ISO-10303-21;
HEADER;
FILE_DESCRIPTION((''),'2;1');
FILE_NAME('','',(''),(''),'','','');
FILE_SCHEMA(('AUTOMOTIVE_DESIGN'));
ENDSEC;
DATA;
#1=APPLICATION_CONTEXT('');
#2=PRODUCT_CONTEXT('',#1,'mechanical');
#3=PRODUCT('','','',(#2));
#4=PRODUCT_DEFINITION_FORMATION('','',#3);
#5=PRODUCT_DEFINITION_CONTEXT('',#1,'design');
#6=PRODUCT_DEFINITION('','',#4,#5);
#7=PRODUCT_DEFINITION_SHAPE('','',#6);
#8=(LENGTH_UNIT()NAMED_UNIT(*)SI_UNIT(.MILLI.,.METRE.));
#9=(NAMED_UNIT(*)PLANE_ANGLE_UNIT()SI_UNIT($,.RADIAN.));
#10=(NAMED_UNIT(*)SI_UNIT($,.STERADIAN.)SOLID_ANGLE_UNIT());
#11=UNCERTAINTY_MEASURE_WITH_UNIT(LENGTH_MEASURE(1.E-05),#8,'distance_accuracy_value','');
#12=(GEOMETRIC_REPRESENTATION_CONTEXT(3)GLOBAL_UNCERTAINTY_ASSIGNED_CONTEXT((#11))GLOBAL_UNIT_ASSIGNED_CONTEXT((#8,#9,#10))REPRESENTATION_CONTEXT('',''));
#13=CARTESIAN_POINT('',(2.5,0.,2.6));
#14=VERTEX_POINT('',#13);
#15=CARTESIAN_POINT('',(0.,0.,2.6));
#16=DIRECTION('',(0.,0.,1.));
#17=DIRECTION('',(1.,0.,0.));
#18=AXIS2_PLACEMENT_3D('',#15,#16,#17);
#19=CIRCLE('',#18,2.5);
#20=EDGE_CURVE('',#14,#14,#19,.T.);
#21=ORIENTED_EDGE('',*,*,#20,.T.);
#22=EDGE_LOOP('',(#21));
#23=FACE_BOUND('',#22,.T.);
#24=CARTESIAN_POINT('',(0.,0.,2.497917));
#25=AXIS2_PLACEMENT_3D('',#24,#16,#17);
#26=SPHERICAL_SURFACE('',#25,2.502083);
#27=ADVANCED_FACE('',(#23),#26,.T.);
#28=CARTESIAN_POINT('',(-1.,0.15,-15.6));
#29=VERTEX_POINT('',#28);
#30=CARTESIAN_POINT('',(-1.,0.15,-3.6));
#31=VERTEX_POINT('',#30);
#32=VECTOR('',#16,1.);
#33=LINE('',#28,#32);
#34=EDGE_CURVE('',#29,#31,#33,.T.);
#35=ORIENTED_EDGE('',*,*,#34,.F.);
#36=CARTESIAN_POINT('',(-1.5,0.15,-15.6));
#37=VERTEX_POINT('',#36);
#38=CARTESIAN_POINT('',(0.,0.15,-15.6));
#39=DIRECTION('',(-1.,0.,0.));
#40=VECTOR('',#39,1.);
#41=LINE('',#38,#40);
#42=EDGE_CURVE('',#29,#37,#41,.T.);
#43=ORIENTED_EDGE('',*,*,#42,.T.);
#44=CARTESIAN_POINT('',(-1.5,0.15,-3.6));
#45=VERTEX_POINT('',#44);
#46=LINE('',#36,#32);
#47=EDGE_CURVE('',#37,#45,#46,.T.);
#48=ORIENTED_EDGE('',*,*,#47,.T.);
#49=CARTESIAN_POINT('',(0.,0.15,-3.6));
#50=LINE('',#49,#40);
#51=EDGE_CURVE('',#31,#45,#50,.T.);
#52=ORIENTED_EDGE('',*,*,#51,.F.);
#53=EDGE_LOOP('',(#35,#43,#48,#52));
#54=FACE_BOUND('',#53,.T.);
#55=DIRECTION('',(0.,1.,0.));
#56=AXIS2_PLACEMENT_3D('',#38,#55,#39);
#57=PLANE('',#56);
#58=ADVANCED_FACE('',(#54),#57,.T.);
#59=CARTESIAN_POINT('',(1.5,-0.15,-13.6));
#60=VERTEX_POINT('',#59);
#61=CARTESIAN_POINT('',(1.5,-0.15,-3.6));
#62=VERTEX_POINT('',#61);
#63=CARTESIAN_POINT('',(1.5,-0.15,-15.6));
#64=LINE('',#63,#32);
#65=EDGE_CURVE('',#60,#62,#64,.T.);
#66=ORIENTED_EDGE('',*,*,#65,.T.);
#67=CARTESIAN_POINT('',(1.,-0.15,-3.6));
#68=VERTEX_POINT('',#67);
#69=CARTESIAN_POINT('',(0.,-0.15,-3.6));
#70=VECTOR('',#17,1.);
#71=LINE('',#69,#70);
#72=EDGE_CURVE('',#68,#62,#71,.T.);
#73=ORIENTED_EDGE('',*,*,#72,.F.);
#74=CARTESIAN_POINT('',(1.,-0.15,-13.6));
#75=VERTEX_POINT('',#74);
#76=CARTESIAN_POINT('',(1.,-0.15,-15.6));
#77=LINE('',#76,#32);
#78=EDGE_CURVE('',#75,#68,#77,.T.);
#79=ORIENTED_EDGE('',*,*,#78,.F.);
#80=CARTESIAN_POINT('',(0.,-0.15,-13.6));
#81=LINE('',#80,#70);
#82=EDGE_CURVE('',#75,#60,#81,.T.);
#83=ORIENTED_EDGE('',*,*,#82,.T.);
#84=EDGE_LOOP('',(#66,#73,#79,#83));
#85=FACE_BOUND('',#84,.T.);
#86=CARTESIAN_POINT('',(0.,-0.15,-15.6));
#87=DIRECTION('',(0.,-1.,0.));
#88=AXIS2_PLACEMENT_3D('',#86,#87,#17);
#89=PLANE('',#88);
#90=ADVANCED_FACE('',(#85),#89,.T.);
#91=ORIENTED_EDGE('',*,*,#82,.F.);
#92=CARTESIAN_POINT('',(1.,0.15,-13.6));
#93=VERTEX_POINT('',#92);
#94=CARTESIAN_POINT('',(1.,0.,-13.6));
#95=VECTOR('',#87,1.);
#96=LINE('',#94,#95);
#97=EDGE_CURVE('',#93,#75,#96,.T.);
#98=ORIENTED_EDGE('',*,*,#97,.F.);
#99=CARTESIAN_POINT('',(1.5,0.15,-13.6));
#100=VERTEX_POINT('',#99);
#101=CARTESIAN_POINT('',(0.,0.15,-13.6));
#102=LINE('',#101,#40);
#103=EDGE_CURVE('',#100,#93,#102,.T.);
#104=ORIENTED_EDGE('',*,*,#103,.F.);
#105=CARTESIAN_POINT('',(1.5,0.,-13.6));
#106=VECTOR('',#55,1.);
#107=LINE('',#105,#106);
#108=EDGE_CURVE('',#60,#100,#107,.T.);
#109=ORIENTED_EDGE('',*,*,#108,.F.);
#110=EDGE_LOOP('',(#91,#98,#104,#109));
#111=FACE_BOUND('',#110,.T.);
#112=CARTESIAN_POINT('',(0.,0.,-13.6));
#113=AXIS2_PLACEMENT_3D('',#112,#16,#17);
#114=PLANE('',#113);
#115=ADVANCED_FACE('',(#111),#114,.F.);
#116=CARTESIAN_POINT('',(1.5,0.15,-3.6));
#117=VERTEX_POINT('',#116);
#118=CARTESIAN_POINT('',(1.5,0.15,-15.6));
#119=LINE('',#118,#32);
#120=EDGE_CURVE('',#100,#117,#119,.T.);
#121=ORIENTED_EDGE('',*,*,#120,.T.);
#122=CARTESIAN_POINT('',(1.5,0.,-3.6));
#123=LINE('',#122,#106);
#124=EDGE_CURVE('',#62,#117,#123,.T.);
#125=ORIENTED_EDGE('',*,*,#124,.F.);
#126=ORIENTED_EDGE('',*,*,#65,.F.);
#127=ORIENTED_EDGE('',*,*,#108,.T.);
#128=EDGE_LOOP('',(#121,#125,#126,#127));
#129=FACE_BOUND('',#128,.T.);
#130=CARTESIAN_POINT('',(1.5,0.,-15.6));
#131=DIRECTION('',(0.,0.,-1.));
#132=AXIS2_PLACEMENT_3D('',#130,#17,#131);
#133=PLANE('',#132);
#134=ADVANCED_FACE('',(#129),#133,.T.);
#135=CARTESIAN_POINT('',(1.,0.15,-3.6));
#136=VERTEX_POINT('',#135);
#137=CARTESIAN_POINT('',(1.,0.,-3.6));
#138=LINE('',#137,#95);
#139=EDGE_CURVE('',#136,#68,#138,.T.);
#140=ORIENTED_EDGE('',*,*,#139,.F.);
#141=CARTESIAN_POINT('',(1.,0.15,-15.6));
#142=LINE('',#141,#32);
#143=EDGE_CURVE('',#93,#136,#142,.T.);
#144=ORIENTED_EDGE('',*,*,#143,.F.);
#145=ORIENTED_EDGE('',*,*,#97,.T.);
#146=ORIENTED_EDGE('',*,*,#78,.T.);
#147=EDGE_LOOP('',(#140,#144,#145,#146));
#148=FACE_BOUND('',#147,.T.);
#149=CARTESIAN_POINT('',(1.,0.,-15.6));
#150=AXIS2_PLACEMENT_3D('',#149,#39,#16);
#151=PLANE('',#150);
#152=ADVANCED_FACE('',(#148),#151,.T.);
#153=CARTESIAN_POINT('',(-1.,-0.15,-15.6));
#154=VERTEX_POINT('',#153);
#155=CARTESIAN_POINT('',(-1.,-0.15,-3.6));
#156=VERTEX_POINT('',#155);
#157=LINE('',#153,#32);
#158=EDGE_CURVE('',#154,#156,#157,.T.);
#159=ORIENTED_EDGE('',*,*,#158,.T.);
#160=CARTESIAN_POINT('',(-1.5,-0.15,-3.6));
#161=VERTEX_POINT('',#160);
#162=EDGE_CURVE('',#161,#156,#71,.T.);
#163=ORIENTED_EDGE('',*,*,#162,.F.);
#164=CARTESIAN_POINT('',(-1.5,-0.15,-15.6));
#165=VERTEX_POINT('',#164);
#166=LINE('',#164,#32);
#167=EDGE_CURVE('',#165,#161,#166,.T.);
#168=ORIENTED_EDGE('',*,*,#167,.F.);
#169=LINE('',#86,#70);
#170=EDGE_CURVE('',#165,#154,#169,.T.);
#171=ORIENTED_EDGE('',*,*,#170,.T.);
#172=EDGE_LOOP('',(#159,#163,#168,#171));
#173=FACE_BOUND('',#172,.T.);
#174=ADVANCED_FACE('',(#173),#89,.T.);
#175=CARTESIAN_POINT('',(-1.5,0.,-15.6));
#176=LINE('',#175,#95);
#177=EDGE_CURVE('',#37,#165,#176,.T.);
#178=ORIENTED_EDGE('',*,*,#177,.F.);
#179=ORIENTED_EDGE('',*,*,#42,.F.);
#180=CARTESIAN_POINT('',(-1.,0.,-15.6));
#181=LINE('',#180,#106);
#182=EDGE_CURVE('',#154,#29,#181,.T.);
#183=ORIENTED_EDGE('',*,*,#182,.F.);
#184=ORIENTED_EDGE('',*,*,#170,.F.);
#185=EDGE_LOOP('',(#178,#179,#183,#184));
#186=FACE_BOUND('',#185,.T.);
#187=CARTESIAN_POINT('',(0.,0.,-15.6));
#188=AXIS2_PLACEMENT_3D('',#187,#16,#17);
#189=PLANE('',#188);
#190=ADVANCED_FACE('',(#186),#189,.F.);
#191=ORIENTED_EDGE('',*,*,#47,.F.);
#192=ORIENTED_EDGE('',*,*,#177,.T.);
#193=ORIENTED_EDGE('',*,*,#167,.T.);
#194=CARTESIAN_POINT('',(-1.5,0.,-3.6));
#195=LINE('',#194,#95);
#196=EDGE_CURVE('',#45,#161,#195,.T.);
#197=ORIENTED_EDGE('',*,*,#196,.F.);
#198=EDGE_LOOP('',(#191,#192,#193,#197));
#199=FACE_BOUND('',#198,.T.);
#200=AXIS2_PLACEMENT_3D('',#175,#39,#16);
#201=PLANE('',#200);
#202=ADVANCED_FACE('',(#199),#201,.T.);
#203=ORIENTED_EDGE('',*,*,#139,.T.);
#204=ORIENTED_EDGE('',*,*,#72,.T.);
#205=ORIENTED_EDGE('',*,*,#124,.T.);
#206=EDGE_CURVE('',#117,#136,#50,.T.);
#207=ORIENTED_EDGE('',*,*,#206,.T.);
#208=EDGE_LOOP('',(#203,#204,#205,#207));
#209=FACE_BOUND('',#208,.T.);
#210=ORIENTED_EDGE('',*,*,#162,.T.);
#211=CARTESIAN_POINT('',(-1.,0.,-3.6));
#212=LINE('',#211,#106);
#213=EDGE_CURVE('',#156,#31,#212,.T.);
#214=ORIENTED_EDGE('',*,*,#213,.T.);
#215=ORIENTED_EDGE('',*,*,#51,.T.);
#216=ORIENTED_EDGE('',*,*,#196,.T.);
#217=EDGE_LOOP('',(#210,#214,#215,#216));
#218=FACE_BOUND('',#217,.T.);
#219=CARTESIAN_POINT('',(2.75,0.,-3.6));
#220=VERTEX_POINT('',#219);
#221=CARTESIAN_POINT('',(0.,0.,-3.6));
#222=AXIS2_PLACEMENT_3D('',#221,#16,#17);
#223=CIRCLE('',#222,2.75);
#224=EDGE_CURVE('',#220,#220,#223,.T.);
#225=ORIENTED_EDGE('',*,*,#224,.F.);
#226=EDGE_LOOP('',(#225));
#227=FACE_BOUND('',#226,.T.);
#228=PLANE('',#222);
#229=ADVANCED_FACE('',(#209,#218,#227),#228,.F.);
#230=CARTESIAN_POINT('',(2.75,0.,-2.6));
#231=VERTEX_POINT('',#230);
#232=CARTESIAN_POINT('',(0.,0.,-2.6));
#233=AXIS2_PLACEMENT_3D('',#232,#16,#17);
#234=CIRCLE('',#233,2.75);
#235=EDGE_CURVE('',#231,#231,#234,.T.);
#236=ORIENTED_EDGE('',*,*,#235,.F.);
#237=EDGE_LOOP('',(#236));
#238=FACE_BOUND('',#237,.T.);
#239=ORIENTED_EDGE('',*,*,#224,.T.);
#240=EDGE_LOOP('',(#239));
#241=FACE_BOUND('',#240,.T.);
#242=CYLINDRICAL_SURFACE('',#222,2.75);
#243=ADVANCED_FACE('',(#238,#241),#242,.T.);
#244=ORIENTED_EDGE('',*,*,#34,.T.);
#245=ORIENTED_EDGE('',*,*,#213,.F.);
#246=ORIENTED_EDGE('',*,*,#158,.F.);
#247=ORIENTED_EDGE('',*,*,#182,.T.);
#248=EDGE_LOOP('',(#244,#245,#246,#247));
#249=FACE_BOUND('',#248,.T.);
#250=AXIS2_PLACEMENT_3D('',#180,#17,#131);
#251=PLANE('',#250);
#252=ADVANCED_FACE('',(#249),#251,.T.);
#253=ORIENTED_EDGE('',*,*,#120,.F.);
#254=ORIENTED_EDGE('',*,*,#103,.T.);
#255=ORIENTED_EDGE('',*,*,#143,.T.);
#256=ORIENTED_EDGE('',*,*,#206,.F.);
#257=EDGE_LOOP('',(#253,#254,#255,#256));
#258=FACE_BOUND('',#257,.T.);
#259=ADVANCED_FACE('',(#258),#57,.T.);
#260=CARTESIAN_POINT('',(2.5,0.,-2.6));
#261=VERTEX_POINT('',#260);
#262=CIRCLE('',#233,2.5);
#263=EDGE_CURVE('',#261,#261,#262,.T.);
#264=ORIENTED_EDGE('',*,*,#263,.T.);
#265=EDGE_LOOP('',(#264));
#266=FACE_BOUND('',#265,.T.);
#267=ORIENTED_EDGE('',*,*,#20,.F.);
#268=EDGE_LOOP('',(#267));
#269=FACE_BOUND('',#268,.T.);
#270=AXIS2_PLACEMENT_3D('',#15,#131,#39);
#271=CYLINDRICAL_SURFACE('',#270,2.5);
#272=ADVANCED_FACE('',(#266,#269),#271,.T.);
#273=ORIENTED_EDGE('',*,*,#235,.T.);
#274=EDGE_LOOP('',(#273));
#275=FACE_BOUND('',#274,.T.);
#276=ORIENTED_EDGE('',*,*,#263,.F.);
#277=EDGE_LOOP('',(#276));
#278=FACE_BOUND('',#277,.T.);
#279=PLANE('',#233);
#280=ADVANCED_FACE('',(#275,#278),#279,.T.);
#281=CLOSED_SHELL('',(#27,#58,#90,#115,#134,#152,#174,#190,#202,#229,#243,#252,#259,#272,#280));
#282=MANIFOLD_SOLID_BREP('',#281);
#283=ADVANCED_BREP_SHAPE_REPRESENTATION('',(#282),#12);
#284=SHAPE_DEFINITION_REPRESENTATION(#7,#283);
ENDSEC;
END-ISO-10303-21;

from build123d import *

# Parameters (mm, degrees)
SKETCH1_R           = 2.5
BOSS_EXTRUDE1_DEPTH = 2.6
BOSS_EXTRUDE2_START = -2.6
SKETCH2_R           = 2.75
BOSS_EXTRUDE2_DEPTH = 1
DOME1_FACE_RADIUS   = 2.5
DOME1_HEIGHT        = 2.4
BOSS_EXTRUDE3_START = -3.6
SKETCH3_W           = 0.5
SKETCH3_H           = 0.3
BOSS_EXTRUDE3_DEPTH = 12
CUT_EXTRUDE1_START  = -15.6
SKETCH4_W           = 0.5
SKETCH4_H           = 0.3
CUT_EXTRUDE1_DEPTH  = 2


with BuildPart() as part:
    # Sketch1 → Boss-Extrude1 (new, symmetric)
    with BuildSketch(Plane.XY):
        Circle(SKETCH1_R)
    extrude(amount=BOSS_EXTRUDE1_DEPTH, both=True)

    # Sketch2 → Boss-Extrude2 (add)
    with BuildSketch(Plane.XY.offset(BOSS_EXTRUDE2_START)):
        Circle(SKETCH2_R)
    extrude(amount=-BOSS_EXTRUDE2_DEPTH)

    # Dome1: a dome of height H over a round flat face of radius A is a cap of a sphere of radius (A * A + H * H) / (2 * H)
    dome1_r = (DOME1_FACE_RADIUS * DOME1_FACE_RADIUS + DOME1_HEIGHT * DOME1_HEIGHT) / (2 * DOME1_HEIGHT)
    dome1_base = Plane((0, 0, 2.6), z_dir=(0, 0, 1))
    with Locations(dome1_base.offset(DOME1_HEIGHT - dome1_r)):
        dome1_ball = Sphere(dome1_r, mode=Mode.PRIVATE)
    add(split(dome1_ball, bisect_by=dome1_base, keep=Keep.TOP, mode=Mode.PRIVATE))

    # Sketch3 → Boss-Extrude3 (add)
    with BuildSketch(Plane.XY.offset(BOSS_EXTRUDE3_START)):
        with Locations((1.25, 0)):
            Rectangle(SKETCH3_W, SKETCH3_H)
        with Locations((-1.25, 0)):
            Rectangle(SKETCH3_W, SKETCH3_H)
    extrude(amount=-BOSS_EXTRUDE3_DEPTH)

    # Sketch4 → Cut-Extrude1 (cut)
    with BuildSketch(Plane.XY.offset(CUT_EXTRUDE1_START)):
        with Locations((1.25, 0)):
            Rectangle(SKETCH4_W, SKETCH4_H)
    extrude(amount=CUT_EXTRUDE1_DEPTH, mode=Mode.SUBTRACT)


solid = part.part
